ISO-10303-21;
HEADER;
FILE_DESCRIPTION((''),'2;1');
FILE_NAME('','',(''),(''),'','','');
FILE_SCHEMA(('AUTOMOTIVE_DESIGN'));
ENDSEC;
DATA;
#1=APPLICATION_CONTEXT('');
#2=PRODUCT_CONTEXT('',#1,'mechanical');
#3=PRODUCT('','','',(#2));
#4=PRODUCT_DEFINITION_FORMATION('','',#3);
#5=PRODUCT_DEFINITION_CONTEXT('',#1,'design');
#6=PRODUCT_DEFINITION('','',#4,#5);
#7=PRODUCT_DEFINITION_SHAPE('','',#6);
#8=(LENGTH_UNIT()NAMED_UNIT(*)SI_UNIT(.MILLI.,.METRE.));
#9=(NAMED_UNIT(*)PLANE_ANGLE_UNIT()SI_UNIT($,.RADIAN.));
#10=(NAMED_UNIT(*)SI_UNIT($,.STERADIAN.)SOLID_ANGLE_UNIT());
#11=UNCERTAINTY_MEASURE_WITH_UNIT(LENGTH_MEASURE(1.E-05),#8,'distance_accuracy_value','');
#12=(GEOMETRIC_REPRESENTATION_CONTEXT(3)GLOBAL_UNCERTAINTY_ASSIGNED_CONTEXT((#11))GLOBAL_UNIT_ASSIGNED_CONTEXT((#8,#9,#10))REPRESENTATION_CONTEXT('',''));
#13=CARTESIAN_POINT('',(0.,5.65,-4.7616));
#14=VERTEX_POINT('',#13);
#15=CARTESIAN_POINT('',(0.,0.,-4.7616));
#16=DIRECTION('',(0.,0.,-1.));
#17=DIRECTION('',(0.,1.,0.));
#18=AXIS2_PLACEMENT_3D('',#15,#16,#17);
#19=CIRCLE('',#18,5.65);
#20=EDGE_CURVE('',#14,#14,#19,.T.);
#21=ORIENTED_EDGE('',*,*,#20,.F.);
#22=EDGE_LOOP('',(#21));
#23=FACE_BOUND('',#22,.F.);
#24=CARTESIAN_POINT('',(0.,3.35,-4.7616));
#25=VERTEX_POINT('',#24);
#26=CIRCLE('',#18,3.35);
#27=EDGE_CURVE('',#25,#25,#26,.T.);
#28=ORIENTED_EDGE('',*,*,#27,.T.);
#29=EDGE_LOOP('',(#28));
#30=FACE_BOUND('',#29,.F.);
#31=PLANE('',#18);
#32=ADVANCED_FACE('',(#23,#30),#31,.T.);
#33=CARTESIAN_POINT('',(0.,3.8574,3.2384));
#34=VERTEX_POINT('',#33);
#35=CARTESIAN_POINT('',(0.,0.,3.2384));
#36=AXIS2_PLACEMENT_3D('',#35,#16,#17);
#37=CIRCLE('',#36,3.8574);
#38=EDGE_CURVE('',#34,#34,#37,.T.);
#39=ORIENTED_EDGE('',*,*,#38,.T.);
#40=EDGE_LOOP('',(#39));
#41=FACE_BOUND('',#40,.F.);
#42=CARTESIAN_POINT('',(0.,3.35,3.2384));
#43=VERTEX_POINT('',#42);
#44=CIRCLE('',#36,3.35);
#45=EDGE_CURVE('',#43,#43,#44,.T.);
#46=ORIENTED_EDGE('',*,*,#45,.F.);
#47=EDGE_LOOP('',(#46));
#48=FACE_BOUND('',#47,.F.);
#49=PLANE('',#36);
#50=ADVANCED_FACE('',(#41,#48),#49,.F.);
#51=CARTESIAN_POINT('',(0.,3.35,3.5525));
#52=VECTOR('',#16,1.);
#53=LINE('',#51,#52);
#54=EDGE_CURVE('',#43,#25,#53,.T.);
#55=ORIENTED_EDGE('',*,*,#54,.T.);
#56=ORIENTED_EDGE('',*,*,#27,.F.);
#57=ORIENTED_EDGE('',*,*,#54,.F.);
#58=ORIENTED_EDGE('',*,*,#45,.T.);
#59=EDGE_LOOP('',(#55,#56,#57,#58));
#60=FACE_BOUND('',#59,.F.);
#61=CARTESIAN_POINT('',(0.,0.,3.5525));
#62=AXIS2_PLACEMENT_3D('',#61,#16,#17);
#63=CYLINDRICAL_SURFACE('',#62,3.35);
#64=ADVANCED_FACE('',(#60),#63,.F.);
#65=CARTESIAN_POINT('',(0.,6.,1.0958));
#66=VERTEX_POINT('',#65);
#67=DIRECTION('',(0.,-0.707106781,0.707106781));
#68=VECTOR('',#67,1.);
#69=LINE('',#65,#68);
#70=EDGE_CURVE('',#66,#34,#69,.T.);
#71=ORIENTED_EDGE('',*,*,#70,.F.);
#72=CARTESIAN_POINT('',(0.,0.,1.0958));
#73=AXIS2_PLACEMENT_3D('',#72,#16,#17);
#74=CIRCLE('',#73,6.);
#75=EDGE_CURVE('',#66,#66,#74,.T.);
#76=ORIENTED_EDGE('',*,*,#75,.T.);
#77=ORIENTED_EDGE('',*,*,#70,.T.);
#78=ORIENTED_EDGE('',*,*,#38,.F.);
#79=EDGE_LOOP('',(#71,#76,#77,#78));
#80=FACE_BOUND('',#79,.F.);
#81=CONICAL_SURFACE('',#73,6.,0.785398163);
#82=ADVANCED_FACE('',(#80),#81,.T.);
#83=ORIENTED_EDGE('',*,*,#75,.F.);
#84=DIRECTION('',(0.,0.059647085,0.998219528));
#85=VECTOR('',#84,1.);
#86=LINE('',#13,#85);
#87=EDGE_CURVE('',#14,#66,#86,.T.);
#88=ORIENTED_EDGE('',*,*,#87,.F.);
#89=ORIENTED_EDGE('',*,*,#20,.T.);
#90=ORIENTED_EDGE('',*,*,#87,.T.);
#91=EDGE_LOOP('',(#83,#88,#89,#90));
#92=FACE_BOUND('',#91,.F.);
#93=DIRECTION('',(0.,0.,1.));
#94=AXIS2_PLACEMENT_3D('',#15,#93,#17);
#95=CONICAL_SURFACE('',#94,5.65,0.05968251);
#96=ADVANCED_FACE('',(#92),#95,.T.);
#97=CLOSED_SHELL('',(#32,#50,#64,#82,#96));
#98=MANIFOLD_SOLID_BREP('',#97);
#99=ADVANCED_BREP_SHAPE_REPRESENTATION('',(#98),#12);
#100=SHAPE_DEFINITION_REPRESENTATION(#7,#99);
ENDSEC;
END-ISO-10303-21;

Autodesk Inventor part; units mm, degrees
ref_plane "YZ Plane" through (0, 0, 0) normal (1, 0, 0) x (0, 1, 0)
ref_plane "XZ Plane" through (0, 0, 0) normal (0, 1, 0) x (-1, 0, 0)
ref_plane "XY Plane" through (0, 0, 0) normal (0, 0, 1) x (1, 0, 0)
sketch "Skizze1" plane through (0, 0, 0) normal (1, 0, 0) x (0, 1, 0)
  line L0 (3.35, 3.5525) -> (3.35, -4.7616)
  line L1 (3.35, -4.7616) -> (5.65, -4.7616)
  line L2 (5.65, -4.7616) -> (6, 1.0958)
  line L3 (6, 1.0958) -> (3.8574, 3.2384)
  line L4 (3.8574, 3.2384) -> (3.35, 3.2384)
  line L5 (0, 3.5525) -> (0, -4.0298)
  point P0 (0, 0)
  dimension "d0" = 3.35
  dimension "d1" = 5.65
  dimension "d2" = 6
  dimension "d3" = 8
  dimension "d4" = 45
revolve "Umdrehung1" add sketch "Skizze1" angle 360 about axis through (0, 0, 3.5525) along (0, 0, -1)
properties part number "Matchboxscope_M12_Lensadapter_v0"
